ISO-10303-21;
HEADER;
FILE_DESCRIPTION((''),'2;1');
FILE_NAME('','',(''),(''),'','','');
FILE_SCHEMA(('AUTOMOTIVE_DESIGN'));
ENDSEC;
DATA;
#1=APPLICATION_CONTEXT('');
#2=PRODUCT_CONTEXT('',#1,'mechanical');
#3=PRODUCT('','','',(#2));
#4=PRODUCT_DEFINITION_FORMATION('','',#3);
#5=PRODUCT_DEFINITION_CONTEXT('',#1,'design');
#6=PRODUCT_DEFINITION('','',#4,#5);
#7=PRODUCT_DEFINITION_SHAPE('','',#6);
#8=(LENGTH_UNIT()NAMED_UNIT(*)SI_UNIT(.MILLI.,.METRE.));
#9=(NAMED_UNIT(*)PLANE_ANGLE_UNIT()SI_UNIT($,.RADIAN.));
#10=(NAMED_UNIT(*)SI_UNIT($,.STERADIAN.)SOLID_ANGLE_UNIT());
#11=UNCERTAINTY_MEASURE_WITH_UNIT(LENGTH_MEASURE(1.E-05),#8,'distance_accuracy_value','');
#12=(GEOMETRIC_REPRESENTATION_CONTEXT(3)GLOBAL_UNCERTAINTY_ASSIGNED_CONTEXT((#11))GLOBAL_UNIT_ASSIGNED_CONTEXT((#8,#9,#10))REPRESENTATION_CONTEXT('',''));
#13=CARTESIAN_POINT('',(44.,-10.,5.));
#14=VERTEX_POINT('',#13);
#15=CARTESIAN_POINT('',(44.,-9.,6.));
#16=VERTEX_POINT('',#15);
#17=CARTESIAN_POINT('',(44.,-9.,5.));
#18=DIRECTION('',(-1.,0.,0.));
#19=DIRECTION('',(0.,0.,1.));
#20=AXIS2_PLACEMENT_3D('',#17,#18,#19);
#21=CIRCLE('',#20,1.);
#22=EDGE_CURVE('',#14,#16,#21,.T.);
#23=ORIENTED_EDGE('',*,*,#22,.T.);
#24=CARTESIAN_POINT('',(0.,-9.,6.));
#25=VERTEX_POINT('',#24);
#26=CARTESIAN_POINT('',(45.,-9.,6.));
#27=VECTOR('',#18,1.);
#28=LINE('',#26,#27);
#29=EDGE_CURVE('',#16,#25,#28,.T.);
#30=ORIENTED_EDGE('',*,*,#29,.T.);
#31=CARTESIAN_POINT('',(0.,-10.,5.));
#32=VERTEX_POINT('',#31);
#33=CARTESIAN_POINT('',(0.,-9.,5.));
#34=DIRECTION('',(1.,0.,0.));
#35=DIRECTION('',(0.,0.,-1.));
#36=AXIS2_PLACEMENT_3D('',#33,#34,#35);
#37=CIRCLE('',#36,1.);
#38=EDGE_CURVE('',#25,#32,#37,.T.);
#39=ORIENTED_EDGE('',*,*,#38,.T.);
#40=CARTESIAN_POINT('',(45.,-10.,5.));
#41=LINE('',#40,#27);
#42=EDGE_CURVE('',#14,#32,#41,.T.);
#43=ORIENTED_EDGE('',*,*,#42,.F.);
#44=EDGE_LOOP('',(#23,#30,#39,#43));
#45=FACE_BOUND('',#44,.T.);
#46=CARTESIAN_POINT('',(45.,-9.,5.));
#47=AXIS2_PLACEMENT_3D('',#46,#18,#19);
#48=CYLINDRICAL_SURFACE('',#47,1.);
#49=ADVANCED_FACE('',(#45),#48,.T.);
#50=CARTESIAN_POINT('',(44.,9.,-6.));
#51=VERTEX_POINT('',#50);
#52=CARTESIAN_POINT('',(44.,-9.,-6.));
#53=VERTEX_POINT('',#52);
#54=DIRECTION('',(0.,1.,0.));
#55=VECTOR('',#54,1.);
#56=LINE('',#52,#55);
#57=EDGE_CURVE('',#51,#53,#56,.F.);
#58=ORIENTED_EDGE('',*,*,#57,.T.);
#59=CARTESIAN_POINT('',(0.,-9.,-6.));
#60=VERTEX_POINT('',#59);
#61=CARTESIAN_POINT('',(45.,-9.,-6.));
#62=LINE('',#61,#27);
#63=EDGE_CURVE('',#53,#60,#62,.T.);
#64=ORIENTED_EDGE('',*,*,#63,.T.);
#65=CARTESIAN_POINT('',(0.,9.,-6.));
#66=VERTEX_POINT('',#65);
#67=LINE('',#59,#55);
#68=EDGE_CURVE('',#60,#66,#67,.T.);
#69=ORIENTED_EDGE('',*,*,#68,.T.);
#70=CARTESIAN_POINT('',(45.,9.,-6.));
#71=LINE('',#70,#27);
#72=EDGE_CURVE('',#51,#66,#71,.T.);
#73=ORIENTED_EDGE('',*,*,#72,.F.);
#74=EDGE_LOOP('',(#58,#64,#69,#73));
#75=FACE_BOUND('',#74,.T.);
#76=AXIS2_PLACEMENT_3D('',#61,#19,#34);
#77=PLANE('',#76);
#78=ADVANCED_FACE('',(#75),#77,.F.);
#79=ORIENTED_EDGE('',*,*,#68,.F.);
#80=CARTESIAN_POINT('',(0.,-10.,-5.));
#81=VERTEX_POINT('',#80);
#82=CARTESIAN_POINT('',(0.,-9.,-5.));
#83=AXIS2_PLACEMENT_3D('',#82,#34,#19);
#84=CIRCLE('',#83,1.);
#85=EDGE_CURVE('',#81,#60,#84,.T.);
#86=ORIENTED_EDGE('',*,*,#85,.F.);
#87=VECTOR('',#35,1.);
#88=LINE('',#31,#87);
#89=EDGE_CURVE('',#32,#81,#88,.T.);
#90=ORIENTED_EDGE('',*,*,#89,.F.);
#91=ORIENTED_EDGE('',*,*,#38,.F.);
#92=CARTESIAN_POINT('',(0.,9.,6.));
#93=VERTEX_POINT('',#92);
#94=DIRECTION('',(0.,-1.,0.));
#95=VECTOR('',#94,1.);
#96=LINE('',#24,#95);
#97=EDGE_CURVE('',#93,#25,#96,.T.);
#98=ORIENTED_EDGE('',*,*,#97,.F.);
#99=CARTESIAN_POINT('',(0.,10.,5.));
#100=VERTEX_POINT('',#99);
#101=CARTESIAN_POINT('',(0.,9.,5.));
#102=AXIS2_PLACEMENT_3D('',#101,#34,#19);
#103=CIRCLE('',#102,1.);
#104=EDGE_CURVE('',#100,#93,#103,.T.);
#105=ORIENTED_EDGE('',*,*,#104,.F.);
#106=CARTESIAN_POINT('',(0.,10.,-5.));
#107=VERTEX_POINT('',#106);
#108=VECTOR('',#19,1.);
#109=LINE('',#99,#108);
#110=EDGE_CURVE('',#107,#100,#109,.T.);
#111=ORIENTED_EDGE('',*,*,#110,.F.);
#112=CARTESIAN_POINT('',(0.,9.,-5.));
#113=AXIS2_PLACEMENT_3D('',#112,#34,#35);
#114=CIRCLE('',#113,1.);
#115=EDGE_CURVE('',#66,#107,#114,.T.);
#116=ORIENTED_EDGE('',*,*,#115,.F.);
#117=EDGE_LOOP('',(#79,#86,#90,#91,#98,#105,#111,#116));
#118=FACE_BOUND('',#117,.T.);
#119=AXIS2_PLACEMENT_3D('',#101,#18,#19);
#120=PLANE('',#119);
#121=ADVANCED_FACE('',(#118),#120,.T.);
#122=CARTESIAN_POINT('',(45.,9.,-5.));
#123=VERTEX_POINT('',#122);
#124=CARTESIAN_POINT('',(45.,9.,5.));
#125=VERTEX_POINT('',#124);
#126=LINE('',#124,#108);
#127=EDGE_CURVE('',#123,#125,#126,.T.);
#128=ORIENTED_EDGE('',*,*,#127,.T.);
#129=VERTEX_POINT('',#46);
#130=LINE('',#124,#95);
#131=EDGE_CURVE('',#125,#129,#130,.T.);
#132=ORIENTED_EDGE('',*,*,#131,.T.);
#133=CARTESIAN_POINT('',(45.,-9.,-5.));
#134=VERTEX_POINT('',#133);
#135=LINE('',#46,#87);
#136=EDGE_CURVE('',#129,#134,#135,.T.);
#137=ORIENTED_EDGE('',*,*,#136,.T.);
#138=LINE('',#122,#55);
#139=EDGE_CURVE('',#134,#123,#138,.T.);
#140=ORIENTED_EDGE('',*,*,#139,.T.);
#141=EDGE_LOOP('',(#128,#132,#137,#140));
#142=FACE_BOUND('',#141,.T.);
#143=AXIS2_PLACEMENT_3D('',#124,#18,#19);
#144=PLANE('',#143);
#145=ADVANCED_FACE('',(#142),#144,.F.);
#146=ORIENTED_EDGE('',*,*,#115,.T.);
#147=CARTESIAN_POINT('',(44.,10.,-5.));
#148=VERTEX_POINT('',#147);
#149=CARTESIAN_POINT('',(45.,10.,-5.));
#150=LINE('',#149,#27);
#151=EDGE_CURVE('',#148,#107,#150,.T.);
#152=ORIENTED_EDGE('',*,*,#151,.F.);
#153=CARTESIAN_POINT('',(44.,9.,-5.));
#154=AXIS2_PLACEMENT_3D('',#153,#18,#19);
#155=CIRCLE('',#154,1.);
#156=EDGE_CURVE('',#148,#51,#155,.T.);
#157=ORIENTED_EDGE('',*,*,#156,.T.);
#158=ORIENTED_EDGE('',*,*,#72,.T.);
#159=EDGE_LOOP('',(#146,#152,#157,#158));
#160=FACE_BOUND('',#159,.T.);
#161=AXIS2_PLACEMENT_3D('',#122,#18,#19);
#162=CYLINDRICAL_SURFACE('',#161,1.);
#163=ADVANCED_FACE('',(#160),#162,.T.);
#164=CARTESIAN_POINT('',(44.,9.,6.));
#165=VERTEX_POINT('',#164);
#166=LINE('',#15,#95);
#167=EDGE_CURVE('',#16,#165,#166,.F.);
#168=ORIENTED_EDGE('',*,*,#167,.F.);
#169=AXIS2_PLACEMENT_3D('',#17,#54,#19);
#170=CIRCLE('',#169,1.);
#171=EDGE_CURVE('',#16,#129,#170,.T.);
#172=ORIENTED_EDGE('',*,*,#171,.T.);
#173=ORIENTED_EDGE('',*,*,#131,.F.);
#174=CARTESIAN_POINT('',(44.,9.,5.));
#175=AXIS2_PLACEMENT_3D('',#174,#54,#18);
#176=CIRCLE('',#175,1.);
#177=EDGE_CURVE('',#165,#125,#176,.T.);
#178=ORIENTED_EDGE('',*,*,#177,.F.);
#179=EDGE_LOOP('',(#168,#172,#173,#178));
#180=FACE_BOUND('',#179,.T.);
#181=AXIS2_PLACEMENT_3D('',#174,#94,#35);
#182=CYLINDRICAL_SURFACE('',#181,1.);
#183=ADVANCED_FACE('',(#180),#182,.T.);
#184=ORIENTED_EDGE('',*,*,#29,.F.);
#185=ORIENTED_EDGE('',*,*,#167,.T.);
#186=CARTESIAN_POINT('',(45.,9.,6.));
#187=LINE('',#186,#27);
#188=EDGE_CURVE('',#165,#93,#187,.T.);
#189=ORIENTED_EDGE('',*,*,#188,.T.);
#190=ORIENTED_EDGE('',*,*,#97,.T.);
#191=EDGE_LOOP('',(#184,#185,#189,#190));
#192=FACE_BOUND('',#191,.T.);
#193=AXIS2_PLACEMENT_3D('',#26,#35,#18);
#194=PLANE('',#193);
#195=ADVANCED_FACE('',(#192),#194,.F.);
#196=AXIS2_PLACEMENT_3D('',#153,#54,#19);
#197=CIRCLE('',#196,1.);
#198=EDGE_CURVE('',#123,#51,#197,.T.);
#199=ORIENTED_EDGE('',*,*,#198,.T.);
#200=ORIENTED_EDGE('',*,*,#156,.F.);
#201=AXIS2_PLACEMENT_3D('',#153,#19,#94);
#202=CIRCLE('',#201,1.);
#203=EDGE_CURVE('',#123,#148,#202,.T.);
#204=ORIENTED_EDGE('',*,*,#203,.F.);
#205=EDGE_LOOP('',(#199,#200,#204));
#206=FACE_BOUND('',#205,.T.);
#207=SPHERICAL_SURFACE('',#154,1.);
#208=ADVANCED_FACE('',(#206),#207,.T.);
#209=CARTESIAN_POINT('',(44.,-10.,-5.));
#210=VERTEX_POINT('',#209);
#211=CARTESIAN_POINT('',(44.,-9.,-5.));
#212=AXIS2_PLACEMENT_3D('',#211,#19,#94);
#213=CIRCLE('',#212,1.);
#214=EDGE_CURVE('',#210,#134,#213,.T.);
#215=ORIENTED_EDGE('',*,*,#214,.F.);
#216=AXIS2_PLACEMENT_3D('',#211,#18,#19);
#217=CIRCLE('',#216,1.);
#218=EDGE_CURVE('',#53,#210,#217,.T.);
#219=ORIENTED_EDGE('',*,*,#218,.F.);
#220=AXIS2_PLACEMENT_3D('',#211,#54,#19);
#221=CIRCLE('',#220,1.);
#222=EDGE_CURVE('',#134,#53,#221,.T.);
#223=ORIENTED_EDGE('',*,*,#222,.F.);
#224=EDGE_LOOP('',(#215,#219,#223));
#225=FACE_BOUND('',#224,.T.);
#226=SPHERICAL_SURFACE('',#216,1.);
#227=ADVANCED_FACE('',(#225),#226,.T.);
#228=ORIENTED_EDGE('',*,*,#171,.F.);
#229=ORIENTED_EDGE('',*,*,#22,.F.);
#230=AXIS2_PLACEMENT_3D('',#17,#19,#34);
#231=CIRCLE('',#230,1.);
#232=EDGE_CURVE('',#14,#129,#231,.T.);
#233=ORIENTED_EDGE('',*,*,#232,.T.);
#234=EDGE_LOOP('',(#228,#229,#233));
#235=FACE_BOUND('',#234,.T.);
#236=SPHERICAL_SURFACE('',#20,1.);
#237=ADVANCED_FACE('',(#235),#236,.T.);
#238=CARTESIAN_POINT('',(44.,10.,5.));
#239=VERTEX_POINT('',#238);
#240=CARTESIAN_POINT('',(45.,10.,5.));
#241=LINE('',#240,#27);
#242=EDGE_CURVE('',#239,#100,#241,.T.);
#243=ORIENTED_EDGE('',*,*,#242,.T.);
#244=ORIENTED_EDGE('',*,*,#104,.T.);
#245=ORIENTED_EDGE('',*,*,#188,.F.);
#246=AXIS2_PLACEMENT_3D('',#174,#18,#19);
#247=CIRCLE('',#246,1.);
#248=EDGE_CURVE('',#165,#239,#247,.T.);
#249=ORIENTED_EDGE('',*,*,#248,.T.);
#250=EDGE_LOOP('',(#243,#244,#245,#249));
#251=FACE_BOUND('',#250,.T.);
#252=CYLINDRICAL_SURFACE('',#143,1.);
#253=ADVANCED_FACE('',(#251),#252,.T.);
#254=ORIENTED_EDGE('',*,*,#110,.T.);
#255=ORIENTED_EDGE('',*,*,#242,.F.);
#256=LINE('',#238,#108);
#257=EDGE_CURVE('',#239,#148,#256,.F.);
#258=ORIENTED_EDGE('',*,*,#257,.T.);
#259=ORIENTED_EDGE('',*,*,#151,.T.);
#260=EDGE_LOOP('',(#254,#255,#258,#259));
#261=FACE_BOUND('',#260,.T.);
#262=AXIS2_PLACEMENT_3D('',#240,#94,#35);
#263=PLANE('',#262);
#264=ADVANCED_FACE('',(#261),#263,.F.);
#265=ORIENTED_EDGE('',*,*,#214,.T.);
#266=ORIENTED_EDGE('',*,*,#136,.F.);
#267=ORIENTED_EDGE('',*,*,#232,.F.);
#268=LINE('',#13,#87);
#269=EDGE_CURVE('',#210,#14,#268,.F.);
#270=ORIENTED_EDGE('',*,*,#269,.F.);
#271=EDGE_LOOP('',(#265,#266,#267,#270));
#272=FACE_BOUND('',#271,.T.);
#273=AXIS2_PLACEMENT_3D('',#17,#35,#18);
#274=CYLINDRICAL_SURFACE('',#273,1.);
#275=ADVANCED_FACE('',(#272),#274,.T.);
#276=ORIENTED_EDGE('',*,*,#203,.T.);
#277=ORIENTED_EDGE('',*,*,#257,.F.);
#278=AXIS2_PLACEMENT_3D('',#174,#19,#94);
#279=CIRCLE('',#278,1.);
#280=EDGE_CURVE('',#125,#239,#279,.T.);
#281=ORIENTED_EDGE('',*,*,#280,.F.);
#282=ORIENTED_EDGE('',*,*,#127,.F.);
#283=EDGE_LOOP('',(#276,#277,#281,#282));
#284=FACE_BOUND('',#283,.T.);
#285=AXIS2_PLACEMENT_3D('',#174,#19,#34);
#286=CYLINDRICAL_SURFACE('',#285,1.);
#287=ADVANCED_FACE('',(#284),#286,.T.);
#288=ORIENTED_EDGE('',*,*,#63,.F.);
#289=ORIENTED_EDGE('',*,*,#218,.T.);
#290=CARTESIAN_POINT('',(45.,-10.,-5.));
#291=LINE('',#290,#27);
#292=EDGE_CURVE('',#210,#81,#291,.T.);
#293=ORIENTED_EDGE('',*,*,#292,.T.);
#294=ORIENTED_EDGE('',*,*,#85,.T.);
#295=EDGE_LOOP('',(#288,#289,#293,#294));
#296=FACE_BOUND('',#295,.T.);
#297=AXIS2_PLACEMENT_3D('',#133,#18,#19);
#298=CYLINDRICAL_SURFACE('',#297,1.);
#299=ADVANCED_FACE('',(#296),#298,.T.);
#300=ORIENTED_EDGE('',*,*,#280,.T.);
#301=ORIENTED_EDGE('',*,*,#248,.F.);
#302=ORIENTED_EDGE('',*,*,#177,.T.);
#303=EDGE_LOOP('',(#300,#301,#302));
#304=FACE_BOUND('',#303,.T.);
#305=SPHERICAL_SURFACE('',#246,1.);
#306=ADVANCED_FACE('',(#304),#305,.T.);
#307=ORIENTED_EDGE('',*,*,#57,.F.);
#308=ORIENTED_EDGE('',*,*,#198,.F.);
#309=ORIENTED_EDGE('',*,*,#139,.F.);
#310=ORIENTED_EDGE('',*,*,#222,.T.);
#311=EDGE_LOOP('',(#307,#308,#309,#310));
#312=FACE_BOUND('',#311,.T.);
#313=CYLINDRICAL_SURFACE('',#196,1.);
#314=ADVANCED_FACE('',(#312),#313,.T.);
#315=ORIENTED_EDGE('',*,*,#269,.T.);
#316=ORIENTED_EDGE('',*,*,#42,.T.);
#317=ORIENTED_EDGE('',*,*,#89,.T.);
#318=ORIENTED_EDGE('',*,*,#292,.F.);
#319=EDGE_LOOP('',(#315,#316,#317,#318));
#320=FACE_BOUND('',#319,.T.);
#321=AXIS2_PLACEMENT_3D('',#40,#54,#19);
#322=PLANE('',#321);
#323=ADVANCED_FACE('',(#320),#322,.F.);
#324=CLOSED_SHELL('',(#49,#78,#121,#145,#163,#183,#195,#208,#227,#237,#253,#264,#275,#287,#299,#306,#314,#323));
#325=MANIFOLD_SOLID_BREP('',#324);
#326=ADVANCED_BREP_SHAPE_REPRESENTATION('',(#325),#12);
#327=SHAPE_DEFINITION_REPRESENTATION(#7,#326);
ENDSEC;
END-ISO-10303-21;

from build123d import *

# Parameters (mm, degrees)
EXTRUDE_1_DEPTH = 45
FILLET_1_R      = 1


with BuildPart() as part:
    # Эскиз1 → Бобышка-Вытянуть1 (new body)
    with BuildSketch(Plane(origin=(0, 0, 0), x_dir=(0, 0, -1), z_dir=(1, 0, 0))):
        with BuildLine():
            Line((-6, -9), (-6, 9))
            ThreePointArc((-6, 9), (-5.707106781, 9.707106781), (-5, 10))
            Line((-5, 10), (5, 10))
            ThreePointArc((5, 10), (5.707106781, 9.707106781), (6, 9))
            Line((6, 9), (6, -9))
            ThreePointArc((6, -9), (5.707106781, -9.707106781), (5, -10))
            Line((5, -10), (-5, -10))
            ThreePointArc((-5, -10), (-5.707106781, -9.707106781), (-6, -9))
        make_face()
    extrude(amount=EXTRUDE_1_DEPTH)

    # Скругление1
    fillet_1_edges = [part.edges().sort_by_distance(p)[0] for p in [
        (45, -9.707106781, 5.707106781),
        (45, -10, 0),
        (45, -9.707106781, -5.707106781),
        (45, 0, -6),
        (45, 9.707106781, -5.707106781),
        (45, 10, 0),
        (45, 9.707106781, 5.707106781),
        (45, 0, 6),
    ]]
    fillet(fillet_1_edges, radius=FILLET_1_R)


solid = part.part
